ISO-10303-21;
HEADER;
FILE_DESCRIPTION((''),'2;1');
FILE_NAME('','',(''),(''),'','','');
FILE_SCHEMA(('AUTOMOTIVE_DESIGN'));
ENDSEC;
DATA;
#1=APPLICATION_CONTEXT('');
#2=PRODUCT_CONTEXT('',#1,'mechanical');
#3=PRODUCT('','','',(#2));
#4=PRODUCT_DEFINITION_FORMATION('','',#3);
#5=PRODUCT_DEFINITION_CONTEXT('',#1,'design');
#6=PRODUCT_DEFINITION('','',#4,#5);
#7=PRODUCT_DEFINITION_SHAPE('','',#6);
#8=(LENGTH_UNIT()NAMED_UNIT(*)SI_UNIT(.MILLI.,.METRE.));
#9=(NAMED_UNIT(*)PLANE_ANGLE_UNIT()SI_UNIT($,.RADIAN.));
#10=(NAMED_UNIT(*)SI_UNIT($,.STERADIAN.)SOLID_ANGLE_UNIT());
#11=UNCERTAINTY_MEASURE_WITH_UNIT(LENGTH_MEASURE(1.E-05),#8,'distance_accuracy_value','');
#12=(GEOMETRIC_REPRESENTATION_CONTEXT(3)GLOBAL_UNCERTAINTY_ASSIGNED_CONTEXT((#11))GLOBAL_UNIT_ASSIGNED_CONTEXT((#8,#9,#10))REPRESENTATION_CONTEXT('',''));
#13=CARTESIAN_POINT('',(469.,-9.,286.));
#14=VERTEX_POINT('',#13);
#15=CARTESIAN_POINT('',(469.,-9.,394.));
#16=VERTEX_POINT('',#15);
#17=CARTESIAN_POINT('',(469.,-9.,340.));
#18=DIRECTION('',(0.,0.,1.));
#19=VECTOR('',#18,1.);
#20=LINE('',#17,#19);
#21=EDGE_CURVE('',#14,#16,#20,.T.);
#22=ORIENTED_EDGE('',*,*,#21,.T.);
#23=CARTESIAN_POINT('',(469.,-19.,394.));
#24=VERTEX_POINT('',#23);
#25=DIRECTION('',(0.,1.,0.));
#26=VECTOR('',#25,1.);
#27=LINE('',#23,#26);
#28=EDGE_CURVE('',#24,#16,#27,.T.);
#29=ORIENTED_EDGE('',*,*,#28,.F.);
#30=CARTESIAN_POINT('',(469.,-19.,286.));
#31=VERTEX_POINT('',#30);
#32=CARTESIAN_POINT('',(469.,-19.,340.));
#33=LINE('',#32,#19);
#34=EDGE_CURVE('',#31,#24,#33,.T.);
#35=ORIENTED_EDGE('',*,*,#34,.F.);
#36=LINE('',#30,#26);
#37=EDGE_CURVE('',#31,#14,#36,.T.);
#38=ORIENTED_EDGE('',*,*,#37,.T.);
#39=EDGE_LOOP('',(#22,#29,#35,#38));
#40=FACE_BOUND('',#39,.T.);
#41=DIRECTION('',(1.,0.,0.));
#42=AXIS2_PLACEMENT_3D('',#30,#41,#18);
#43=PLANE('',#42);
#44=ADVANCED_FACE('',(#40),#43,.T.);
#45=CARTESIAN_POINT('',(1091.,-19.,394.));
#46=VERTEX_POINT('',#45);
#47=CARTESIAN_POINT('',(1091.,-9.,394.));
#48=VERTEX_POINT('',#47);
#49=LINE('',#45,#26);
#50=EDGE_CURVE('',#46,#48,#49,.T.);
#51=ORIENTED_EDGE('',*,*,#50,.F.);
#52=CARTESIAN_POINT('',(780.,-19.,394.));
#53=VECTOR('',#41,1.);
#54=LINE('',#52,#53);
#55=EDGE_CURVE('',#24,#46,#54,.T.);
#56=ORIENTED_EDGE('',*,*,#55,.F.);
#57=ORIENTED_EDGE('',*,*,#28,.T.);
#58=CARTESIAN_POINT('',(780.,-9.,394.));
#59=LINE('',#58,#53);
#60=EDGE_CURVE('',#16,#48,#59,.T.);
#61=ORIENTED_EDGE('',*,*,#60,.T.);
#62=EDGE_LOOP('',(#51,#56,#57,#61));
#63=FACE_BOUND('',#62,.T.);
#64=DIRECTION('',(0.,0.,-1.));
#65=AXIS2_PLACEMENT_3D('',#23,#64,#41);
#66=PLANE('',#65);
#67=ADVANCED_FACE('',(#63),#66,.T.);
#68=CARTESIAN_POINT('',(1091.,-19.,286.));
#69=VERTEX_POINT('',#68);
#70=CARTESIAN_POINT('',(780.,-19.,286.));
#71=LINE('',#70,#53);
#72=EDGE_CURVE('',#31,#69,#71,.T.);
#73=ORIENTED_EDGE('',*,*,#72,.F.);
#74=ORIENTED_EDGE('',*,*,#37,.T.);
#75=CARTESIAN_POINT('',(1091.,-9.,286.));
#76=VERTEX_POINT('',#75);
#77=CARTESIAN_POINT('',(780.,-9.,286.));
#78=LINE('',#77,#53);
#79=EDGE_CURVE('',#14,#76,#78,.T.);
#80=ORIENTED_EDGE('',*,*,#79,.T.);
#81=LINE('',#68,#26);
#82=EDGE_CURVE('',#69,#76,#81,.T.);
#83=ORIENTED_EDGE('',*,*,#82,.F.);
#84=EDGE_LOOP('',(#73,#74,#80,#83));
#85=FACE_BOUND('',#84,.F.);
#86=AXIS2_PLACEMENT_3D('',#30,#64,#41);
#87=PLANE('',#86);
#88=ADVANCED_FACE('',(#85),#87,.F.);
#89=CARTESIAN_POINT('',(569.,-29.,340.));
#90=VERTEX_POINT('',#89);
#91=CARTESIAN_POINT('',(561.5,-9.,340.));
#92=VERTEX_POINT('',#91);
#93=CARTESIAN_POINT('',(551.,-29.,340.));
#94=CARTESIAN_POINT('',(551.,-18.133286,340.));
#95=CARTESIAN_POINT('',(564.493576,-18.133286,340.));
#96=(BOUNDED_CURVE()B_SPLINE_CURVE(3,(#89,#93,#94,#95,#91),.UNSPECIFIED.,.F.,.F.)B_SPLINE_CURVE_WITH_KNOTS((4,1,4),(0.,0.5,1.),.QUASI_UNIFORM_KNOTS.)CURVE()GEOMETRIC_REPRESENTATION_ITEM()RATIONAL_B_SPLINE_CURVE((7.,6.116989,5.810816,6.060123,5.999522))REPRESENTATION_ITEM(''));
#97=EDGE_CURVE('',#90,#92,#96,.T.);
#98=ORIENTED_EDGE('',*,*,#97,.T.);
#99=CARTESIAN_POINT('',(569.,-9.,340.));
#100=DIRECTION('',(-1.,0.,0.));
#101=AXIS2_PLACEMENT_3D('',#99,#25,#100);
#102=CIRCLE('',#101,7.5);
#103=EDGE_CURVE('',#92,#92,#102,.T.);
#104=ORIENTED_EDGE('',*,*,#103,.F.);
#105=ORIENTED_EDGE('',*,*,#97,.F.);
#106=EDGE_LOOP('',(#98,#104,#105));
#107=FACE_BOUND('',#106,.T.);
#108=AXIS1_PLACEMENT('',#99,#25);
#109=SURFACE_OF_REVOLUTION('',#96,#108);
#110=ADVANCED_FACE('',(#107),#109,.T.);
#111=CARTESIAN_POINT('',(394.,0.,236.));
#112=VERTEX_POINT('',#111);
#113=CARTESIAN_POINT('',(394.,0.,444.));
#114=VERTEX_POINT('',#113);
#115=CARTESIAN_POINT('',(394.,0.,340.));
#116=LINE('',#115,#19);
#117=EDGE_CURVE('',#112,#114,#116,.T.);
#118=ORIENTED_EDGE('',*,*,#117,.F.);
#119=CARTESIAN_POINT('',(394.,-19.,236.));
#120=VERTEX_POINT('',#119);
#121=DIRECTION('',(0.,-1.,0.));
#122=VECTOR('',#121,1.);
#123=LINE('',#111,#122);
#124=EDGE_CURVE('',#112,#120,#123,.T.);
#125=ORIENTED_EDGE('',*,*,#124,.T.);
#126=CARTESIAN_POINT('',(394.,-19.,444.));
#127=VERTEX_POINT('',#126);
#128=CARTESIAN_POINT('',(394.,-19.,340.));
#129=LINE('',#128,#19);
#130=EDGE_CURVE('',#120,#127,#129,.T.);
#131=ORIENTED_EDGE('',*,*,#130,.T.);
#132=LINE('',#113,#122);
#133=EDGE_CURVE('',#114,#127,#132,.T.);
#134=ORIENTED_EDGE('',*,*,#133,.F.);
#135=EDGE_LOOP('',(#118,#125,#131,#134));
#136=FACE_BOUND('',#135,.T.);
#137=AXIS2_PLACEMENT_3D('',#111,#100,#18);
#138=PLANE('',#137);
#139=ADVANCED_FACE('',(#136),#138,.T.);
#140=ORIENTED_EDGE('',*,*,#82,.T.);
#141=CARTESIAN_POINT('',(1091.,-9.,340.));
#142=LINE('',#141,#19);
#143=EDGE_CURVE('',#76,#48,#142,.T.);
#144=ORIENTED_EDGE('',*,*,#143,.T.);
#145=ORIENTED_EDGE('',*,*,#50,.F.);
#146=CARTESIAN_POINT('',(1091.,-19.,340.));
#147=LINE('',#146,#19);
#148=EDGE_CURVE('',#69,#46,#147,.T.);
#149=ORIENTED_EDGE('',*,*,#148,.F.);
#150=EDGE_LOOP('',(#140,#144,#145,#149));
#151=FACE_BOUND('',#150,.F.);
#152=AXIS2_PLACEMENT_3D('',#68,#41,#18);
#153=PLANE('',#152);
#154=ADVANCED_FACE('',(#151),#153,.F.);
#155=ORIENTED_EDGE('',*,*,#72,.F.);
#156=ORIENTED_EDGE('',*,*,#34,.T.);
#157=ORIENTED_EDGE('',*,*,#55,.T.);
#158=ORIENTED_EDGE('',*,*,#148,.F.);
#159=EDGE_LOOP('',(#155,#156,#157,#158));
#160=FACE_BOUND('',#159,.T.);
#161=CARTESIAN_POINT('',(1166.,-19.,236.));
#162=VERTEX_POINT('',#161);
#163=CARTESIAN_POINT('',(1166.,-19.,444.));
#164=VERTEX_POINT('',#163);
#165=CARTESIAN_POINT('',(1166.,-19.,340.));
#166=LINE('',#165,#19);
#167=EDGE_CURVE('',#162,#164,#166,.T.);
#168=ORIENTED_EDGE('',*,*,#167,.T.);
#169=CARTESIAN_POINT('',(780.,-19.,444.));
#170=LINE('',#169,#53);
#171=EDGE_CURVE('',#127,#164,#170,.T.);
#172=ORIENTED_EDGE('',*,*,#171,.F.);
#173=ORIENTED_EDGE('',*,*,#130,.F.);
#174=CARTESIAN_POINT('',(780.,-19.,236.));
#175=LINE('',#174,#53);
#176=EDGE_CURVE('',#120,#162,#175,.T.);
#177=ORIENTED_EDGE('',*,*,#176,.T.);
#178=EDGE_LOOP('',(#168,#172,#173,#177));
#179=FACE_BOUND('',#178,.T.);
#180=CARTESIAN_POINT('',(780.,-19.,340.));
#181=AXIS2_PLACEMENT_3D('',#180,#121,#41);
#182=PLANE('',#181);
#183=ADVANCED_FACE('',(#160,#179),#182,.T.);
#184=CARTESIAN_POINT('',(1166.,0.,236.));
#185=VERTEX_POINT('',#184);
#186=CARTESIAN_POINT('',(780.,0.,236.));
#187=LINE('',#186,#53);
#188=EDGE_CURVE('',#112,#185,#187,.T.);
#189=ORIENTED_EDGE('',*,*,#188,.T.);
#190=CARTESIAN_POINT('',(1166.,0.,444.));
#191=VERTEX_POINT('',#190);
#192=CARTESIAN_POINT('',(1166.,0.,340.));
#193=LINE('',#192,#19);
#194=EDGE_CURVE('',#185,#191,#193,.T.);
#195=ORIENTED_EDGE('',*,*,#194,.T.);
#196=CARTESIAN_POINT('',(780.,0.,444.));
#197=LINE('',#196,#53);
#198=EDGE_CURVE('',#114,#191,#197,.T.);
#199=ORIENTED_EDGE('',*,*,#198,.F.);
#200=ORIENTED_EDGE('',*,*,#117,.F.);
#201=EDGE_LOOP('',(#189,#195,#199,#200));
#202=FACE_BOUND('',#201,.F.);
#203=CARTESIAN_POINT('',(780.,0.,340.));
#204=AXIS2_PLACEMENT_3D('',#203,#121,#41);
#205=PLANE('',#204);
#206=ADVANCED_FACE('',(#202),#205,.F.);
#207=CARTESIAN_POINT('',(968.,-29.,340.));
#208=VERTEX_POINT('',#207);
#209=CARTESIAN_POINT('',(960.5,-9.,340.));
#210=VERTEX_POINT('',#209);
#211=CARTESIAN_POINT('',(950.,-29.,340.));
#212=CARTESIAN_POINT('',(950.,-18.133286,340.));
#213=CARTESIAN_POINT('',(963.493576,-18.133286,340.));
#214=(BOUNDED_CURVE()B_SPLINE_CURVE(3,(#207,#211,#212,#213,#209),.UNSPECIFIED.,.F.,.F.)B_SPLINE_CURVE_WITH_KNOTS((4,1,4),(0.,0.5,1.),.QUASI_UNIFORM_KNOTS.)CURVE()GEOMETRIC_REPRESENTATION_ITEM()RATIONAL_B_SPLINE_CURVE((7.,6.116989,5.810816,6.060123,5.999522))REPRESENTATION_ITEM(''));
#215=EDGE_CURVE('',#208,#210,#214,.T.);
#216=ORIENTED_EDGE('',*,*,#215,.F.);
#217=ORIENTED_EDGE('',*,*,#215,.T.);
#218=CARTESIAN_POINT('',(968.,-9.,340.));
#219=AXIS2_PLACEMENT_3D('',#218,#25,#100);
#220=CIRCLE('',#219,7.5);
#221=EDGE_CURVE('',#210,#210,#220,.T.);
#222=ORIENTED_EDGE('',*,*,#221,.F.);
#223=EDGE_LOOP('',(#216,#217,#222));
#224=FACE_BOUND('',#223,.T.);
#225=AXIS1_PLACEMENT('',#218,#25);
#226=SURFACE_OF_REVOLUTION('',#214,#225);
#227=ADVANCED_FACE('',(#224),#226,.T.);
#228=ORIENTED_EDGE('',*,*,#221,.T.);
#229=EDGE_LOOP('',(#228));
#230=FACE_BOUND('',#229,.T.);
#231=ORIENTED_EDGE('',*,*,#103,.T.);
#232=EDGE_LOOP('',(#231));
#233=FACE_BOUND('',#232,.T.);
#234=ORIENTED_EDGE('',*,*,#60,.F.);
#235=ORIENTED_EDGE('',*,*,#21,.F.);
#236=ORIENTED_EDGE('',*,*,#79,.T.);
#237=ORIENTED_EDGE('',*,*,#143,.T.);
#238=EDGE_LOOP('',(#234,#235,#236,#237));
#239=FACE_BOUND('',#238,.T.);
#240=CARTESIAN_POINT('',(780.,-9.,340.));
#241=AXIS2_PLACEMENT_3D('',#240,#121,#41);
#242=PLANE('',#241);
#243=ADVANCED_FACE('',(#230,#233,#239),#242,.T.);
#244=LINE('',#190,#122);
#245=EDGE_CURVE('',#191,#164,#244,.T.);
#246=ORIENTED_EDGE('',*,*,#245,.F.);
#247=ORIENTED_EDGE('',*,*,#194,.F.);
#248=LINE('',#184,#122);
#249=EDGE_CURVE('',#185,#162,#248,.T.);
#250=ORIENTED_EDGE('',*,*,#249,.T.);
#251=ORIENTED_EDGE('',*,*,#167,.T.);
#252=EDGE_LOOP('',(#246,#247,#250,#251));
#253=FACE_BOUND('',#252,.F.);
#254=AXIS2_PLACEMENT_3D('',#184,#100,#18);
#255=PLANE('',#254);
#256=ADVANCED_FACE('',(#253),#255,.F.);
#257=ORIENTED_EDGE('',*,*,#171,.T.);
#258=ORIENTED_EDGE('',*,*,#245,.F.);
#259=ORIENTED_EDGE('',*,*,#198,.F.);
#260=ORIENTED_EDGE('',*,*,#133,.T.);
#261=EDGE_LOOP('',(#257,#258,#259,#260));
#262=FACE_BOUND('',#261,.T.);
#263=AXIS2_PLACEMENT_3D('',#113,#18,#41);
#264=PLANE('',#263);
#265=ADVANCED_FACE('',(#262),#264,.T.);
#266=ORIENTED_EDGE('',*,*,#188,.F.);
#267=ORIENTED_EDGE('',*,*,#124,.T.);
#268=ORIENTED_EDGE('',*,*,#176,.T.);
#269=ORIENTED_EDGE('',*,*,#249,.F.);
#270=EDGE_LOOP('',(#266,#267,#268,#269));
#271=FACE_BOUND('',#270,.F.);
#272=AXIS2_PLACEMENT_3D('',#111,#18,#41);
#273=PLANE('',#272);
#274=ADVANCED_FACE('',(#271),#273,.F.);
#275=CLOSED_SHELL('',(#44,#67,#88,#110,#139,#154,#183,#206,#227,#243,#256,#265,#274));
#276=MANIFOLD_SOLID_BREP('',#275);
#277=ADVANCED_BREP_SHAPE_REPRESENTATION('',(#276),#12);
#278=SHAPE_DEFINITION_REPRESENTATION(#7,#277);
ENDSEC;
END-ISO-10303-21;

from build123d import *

# Parameters (mm, degrees)
CLONE2D014_W    = 772
CLONE2D014_H    = 208
PAD015_DEPTH    = 19
SKETCH039_W     = 622
SKETCH039_H     = 108
POCKET015_DEPTH = 10


with BuildPart() as part:
    # Clone2D014 → Pad015 (new body)
    with BuildSketch(Plane.XZ):
        with Locations((386, 104)):
            Rectangle(CLONE2D014_W, CLONE2D014_H)
    extrude(amount=PAD015_DEPTH)

    # Sketch039 (on Face6 of Pad015) → Pocket015 (cut)
    with BuildSketch(Plane.XZ.offset(19)):
        with Locations((386, 104)):
            Rectangle(SKETCH039_W, SKETCH039_H)
    extrude(amount=-POCKET015_DEPTH, mode=Mode.SUBTRACT)

    # Clone2D015 → Revolution008 (revolve)
    with BuildSketch(Plane(origin=(175, -9, 104), x_dir=(1, 0, 0), z_dir=(0, 0, 1))):
        with BuildLine():
            Line((0, 0), (0, -20))
            add(Edge.make_bspline(
                [(0, -20), (-18, -20), (-18, -9.133286), (-4.506424, -9.133286), (-7.5, 0)],
                knots=[0, 0, 0, 0, 0.5, 1, 1, 1, 1], degree=3, weights=[7, 6.116989, 5.810816, 6.060123, 5.999522]))
            Line((-7.5, 0), (0, 0))
        make_face()
    revolve(axis=Axis((175, -9, 104), (0, 1, 0)))

    # Clone2D016 → Revolution009 (revolve)
    with BuildSketch(Plane(origin=(574, -9, 104), x_dir=(1, 0, 0), z_dir=(0, 0, 1))):
        with BuildLine():
            Line((0, 0), (0, -20))
            add(Edge.make_bspline(
                [(0, -20), (-18, -20), (-18, -9.133286), (-4.506424, -9.133286), (-7.5, 0)],
                knots=[0, 0, 0, 0, 0.5, 1, 1, 1, 1], degree=3, weights=[7, 6.116989, 5.810816, 6.060123, 5.999522]))
            Line((-7.5, 0), (0, 0))
        make_face()
    revolve(axis=Axis((574, -9, 104), (0, 1, 0)))


with BuildPart() as part_1:
    # Body019 placement: moved
    add(part.part.moved(Location((394, 0, 236))))


solid = part_1.part
